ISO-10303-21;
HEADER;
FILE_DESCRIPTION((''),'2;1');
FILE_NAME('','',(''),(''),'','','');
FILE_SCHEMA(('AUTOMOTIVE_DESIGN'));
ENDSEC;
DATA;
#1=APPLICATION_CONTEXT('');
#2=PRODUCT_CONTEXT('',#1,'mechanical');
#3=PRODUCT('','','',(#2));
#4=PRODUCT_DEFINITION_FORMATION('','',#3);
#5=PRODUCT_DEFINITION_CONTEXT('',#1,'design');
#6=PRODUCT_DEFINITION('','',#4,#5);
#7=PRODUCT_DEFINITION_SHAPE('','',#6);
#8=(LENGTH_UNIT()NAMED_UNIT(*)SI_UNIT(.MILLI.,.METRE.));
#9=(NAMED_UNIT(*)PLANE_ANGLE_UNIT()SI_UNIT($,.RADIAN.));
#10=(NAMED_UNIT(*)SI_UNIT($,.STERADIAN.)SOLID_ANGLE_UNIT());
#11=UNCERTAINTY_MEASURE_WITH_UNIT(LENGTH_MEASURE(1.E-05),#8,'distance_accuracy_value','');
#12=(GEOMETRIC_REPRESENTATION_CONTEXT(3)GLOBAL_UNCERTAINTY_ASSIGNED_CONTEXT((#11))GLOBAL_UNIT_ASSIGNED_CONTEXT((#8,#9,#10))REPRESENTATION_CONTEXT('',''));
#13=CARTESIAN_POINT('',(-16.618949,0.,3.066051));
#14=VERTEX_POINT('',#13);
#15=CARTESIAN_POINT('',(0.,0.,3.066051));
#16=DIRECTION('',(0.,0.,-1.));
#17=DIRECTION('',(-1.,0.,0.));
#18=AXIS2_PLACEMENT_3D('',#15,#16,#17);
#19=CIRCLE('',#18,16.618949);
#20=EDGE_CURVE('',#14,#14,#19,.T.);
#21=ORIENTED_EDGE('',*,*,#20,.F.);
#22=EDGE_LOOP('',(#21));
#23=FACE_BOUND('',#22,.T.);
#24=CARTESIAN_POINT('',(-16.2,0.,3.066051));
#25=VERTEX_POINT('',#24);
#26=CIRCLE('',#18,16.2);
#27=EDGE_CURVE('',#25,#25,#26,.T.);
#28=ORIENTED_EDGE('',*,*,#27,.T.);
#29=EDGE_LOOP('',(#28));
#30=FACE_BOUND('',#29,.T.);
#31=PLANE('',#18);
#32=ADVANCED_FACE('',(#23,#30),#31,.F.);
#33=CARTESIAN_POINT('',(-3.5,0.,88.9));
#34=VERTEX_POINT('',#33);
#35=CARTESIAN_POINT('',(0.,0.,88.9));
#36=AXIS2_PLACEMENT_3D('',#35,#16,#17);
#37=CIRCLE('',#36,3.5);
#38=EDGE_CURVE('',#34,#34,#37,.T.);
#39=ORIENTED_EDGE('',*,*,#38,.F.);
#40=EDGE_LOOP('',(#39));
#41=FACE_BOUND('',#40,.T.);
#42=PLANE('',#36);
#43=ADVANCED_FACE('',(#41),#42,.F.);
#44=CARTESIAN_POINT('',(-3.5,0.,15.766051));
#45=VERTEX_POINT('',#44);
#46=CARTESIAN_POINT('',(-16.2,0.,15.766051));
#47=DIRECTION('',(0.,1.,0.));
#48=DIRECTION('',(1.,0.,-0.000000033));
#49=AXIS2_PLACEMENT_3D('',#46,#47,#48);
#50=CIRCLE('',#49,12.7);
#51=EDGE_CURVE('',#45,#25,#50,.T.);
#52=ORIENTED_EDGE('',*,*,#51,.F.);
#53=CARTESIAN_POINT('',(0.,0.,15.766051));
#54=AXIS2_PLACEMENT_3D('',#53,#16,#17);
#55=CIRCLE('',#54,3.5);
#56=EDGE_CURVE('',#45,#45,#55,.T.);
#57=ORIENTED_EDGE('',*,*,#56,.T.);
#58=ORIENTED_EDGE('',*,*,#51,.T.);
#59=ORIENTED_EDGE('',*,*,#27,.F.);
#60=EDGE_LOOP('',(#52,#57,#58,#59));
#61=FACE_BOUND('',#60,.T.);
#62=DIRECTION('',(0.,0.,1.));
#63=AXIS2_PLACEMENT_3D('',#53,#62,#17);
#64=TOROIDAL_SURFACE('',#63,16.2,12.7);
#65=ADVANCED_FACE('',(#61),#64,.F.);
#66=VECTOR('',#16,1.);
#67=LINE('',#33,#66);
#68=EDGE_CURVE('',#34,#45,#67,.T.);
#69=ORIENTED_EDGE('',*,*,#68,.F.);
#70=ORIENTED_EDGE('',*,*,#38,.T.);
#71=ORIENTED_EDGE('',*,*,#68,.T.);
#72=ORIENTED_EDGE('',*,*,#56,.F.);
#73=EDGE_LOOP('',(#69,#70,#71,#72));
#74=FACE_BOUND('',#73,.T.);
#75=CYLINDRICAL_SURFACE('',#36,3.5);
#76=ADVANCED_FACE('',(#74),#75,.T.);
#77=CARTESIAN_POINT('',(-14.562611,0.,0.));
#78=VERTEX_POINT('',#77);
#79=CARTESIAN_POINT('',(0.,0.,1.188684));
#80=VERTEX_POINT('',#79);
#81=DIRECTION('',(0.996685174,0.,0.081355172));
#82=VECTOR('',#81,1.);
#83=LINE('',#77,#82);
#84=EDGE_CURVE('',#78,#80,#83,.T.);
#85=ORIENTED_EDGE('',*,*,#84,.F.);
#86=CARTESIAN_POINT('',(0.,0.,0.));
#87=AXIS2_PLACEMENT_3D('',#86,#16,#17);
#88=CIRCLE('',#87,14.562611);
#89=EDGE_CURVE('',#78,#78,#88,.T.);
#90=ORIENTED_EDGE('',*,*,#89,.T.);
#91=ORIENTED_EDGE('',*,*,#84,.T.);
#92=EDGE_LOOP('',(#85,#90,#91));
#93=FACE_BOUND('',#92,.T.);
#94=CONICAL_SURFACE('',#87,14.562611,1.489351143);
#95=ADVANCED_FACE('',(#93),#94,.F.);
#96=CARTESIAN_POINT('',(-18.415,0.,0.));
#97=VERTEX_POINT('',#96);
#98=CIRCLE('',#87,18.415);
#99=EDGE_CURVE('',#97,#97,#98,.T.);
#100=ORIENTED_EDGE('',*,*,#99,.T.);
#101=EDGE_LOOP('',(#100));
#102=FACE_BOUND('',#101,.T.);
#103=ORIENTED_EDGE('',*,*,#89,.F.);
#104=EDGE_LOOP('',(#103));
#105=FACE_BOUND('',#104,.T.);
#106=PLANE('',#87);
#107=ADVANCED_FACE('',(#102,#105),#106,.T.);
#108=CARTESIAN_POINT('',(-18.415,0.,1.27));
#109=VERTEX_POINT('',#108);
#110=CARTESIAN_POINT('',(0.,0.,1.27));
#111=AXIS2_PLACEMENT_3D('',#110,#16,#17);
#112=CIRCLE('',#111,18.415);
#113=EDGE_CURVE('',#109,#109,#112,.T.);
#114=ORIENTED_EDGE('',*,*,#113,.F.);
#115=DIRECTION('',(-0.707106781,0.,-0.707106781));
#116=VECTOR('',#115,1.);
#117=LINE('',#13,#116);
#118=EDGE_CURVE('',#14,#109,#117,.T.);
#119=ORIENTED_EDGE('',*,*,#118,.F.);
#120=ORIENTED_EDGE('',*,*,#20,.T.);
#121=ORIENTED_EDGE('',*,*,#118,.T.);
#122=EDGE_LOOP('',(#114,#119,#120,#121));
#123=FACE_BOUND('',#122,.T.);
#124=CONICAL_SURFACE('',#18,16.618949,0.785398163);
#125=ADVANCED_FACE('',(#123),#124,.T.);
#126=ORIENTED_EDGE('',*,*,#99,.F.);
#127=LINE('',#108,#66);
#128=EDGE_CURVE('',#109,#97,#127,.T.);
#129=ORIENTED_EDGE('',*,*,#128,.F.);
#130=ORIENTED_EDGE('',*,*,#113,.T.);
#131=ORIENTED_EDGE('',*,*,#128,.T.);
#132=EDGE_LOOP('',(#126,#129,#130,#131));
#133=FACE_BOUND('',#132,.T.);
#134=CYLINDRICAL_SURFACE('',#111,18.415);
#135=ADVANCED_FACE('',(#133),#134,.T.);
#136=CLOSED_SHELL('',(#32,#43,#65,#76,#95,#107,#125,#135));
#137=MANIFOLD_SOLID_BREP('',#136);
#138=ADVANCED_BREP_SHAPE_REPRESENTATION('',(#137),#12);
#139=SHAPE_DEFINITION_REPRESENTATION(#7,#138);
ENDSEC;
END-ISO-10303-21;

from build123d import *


with BuildPart() as f1:
    # F0 (on Front) → F1 (revolve)
    with BuildSketch(Plane.XZ):
        with BuildLine():
            Line((-18.415, 0), (-14.562611, 0))
            Line((-14.562611, 0), (0, 1.188684))
            Line((0, 1.188684), (0, 88.9))
            Line((0, 88.9), (-3.5, 88.9))
            Line((-3.5, 88.9), (-3.5, 15.766051))
            ThreePointArc((-3.5, 15.766051), (-7.219744, 6.785795), (-16.2, 3.066051))
            Line((-16.2, 3.066051), (-16.618949, 3.066051))
            Line((-16.618949, 3.066051), (-18.415, 1.27))
            Line((-18.415, 1.27), (-18.415, 0))
        make_face()
    revolve(axis=Axis((0, 0, 45.044342), (0, 0, -1)))


solid = f1.part
